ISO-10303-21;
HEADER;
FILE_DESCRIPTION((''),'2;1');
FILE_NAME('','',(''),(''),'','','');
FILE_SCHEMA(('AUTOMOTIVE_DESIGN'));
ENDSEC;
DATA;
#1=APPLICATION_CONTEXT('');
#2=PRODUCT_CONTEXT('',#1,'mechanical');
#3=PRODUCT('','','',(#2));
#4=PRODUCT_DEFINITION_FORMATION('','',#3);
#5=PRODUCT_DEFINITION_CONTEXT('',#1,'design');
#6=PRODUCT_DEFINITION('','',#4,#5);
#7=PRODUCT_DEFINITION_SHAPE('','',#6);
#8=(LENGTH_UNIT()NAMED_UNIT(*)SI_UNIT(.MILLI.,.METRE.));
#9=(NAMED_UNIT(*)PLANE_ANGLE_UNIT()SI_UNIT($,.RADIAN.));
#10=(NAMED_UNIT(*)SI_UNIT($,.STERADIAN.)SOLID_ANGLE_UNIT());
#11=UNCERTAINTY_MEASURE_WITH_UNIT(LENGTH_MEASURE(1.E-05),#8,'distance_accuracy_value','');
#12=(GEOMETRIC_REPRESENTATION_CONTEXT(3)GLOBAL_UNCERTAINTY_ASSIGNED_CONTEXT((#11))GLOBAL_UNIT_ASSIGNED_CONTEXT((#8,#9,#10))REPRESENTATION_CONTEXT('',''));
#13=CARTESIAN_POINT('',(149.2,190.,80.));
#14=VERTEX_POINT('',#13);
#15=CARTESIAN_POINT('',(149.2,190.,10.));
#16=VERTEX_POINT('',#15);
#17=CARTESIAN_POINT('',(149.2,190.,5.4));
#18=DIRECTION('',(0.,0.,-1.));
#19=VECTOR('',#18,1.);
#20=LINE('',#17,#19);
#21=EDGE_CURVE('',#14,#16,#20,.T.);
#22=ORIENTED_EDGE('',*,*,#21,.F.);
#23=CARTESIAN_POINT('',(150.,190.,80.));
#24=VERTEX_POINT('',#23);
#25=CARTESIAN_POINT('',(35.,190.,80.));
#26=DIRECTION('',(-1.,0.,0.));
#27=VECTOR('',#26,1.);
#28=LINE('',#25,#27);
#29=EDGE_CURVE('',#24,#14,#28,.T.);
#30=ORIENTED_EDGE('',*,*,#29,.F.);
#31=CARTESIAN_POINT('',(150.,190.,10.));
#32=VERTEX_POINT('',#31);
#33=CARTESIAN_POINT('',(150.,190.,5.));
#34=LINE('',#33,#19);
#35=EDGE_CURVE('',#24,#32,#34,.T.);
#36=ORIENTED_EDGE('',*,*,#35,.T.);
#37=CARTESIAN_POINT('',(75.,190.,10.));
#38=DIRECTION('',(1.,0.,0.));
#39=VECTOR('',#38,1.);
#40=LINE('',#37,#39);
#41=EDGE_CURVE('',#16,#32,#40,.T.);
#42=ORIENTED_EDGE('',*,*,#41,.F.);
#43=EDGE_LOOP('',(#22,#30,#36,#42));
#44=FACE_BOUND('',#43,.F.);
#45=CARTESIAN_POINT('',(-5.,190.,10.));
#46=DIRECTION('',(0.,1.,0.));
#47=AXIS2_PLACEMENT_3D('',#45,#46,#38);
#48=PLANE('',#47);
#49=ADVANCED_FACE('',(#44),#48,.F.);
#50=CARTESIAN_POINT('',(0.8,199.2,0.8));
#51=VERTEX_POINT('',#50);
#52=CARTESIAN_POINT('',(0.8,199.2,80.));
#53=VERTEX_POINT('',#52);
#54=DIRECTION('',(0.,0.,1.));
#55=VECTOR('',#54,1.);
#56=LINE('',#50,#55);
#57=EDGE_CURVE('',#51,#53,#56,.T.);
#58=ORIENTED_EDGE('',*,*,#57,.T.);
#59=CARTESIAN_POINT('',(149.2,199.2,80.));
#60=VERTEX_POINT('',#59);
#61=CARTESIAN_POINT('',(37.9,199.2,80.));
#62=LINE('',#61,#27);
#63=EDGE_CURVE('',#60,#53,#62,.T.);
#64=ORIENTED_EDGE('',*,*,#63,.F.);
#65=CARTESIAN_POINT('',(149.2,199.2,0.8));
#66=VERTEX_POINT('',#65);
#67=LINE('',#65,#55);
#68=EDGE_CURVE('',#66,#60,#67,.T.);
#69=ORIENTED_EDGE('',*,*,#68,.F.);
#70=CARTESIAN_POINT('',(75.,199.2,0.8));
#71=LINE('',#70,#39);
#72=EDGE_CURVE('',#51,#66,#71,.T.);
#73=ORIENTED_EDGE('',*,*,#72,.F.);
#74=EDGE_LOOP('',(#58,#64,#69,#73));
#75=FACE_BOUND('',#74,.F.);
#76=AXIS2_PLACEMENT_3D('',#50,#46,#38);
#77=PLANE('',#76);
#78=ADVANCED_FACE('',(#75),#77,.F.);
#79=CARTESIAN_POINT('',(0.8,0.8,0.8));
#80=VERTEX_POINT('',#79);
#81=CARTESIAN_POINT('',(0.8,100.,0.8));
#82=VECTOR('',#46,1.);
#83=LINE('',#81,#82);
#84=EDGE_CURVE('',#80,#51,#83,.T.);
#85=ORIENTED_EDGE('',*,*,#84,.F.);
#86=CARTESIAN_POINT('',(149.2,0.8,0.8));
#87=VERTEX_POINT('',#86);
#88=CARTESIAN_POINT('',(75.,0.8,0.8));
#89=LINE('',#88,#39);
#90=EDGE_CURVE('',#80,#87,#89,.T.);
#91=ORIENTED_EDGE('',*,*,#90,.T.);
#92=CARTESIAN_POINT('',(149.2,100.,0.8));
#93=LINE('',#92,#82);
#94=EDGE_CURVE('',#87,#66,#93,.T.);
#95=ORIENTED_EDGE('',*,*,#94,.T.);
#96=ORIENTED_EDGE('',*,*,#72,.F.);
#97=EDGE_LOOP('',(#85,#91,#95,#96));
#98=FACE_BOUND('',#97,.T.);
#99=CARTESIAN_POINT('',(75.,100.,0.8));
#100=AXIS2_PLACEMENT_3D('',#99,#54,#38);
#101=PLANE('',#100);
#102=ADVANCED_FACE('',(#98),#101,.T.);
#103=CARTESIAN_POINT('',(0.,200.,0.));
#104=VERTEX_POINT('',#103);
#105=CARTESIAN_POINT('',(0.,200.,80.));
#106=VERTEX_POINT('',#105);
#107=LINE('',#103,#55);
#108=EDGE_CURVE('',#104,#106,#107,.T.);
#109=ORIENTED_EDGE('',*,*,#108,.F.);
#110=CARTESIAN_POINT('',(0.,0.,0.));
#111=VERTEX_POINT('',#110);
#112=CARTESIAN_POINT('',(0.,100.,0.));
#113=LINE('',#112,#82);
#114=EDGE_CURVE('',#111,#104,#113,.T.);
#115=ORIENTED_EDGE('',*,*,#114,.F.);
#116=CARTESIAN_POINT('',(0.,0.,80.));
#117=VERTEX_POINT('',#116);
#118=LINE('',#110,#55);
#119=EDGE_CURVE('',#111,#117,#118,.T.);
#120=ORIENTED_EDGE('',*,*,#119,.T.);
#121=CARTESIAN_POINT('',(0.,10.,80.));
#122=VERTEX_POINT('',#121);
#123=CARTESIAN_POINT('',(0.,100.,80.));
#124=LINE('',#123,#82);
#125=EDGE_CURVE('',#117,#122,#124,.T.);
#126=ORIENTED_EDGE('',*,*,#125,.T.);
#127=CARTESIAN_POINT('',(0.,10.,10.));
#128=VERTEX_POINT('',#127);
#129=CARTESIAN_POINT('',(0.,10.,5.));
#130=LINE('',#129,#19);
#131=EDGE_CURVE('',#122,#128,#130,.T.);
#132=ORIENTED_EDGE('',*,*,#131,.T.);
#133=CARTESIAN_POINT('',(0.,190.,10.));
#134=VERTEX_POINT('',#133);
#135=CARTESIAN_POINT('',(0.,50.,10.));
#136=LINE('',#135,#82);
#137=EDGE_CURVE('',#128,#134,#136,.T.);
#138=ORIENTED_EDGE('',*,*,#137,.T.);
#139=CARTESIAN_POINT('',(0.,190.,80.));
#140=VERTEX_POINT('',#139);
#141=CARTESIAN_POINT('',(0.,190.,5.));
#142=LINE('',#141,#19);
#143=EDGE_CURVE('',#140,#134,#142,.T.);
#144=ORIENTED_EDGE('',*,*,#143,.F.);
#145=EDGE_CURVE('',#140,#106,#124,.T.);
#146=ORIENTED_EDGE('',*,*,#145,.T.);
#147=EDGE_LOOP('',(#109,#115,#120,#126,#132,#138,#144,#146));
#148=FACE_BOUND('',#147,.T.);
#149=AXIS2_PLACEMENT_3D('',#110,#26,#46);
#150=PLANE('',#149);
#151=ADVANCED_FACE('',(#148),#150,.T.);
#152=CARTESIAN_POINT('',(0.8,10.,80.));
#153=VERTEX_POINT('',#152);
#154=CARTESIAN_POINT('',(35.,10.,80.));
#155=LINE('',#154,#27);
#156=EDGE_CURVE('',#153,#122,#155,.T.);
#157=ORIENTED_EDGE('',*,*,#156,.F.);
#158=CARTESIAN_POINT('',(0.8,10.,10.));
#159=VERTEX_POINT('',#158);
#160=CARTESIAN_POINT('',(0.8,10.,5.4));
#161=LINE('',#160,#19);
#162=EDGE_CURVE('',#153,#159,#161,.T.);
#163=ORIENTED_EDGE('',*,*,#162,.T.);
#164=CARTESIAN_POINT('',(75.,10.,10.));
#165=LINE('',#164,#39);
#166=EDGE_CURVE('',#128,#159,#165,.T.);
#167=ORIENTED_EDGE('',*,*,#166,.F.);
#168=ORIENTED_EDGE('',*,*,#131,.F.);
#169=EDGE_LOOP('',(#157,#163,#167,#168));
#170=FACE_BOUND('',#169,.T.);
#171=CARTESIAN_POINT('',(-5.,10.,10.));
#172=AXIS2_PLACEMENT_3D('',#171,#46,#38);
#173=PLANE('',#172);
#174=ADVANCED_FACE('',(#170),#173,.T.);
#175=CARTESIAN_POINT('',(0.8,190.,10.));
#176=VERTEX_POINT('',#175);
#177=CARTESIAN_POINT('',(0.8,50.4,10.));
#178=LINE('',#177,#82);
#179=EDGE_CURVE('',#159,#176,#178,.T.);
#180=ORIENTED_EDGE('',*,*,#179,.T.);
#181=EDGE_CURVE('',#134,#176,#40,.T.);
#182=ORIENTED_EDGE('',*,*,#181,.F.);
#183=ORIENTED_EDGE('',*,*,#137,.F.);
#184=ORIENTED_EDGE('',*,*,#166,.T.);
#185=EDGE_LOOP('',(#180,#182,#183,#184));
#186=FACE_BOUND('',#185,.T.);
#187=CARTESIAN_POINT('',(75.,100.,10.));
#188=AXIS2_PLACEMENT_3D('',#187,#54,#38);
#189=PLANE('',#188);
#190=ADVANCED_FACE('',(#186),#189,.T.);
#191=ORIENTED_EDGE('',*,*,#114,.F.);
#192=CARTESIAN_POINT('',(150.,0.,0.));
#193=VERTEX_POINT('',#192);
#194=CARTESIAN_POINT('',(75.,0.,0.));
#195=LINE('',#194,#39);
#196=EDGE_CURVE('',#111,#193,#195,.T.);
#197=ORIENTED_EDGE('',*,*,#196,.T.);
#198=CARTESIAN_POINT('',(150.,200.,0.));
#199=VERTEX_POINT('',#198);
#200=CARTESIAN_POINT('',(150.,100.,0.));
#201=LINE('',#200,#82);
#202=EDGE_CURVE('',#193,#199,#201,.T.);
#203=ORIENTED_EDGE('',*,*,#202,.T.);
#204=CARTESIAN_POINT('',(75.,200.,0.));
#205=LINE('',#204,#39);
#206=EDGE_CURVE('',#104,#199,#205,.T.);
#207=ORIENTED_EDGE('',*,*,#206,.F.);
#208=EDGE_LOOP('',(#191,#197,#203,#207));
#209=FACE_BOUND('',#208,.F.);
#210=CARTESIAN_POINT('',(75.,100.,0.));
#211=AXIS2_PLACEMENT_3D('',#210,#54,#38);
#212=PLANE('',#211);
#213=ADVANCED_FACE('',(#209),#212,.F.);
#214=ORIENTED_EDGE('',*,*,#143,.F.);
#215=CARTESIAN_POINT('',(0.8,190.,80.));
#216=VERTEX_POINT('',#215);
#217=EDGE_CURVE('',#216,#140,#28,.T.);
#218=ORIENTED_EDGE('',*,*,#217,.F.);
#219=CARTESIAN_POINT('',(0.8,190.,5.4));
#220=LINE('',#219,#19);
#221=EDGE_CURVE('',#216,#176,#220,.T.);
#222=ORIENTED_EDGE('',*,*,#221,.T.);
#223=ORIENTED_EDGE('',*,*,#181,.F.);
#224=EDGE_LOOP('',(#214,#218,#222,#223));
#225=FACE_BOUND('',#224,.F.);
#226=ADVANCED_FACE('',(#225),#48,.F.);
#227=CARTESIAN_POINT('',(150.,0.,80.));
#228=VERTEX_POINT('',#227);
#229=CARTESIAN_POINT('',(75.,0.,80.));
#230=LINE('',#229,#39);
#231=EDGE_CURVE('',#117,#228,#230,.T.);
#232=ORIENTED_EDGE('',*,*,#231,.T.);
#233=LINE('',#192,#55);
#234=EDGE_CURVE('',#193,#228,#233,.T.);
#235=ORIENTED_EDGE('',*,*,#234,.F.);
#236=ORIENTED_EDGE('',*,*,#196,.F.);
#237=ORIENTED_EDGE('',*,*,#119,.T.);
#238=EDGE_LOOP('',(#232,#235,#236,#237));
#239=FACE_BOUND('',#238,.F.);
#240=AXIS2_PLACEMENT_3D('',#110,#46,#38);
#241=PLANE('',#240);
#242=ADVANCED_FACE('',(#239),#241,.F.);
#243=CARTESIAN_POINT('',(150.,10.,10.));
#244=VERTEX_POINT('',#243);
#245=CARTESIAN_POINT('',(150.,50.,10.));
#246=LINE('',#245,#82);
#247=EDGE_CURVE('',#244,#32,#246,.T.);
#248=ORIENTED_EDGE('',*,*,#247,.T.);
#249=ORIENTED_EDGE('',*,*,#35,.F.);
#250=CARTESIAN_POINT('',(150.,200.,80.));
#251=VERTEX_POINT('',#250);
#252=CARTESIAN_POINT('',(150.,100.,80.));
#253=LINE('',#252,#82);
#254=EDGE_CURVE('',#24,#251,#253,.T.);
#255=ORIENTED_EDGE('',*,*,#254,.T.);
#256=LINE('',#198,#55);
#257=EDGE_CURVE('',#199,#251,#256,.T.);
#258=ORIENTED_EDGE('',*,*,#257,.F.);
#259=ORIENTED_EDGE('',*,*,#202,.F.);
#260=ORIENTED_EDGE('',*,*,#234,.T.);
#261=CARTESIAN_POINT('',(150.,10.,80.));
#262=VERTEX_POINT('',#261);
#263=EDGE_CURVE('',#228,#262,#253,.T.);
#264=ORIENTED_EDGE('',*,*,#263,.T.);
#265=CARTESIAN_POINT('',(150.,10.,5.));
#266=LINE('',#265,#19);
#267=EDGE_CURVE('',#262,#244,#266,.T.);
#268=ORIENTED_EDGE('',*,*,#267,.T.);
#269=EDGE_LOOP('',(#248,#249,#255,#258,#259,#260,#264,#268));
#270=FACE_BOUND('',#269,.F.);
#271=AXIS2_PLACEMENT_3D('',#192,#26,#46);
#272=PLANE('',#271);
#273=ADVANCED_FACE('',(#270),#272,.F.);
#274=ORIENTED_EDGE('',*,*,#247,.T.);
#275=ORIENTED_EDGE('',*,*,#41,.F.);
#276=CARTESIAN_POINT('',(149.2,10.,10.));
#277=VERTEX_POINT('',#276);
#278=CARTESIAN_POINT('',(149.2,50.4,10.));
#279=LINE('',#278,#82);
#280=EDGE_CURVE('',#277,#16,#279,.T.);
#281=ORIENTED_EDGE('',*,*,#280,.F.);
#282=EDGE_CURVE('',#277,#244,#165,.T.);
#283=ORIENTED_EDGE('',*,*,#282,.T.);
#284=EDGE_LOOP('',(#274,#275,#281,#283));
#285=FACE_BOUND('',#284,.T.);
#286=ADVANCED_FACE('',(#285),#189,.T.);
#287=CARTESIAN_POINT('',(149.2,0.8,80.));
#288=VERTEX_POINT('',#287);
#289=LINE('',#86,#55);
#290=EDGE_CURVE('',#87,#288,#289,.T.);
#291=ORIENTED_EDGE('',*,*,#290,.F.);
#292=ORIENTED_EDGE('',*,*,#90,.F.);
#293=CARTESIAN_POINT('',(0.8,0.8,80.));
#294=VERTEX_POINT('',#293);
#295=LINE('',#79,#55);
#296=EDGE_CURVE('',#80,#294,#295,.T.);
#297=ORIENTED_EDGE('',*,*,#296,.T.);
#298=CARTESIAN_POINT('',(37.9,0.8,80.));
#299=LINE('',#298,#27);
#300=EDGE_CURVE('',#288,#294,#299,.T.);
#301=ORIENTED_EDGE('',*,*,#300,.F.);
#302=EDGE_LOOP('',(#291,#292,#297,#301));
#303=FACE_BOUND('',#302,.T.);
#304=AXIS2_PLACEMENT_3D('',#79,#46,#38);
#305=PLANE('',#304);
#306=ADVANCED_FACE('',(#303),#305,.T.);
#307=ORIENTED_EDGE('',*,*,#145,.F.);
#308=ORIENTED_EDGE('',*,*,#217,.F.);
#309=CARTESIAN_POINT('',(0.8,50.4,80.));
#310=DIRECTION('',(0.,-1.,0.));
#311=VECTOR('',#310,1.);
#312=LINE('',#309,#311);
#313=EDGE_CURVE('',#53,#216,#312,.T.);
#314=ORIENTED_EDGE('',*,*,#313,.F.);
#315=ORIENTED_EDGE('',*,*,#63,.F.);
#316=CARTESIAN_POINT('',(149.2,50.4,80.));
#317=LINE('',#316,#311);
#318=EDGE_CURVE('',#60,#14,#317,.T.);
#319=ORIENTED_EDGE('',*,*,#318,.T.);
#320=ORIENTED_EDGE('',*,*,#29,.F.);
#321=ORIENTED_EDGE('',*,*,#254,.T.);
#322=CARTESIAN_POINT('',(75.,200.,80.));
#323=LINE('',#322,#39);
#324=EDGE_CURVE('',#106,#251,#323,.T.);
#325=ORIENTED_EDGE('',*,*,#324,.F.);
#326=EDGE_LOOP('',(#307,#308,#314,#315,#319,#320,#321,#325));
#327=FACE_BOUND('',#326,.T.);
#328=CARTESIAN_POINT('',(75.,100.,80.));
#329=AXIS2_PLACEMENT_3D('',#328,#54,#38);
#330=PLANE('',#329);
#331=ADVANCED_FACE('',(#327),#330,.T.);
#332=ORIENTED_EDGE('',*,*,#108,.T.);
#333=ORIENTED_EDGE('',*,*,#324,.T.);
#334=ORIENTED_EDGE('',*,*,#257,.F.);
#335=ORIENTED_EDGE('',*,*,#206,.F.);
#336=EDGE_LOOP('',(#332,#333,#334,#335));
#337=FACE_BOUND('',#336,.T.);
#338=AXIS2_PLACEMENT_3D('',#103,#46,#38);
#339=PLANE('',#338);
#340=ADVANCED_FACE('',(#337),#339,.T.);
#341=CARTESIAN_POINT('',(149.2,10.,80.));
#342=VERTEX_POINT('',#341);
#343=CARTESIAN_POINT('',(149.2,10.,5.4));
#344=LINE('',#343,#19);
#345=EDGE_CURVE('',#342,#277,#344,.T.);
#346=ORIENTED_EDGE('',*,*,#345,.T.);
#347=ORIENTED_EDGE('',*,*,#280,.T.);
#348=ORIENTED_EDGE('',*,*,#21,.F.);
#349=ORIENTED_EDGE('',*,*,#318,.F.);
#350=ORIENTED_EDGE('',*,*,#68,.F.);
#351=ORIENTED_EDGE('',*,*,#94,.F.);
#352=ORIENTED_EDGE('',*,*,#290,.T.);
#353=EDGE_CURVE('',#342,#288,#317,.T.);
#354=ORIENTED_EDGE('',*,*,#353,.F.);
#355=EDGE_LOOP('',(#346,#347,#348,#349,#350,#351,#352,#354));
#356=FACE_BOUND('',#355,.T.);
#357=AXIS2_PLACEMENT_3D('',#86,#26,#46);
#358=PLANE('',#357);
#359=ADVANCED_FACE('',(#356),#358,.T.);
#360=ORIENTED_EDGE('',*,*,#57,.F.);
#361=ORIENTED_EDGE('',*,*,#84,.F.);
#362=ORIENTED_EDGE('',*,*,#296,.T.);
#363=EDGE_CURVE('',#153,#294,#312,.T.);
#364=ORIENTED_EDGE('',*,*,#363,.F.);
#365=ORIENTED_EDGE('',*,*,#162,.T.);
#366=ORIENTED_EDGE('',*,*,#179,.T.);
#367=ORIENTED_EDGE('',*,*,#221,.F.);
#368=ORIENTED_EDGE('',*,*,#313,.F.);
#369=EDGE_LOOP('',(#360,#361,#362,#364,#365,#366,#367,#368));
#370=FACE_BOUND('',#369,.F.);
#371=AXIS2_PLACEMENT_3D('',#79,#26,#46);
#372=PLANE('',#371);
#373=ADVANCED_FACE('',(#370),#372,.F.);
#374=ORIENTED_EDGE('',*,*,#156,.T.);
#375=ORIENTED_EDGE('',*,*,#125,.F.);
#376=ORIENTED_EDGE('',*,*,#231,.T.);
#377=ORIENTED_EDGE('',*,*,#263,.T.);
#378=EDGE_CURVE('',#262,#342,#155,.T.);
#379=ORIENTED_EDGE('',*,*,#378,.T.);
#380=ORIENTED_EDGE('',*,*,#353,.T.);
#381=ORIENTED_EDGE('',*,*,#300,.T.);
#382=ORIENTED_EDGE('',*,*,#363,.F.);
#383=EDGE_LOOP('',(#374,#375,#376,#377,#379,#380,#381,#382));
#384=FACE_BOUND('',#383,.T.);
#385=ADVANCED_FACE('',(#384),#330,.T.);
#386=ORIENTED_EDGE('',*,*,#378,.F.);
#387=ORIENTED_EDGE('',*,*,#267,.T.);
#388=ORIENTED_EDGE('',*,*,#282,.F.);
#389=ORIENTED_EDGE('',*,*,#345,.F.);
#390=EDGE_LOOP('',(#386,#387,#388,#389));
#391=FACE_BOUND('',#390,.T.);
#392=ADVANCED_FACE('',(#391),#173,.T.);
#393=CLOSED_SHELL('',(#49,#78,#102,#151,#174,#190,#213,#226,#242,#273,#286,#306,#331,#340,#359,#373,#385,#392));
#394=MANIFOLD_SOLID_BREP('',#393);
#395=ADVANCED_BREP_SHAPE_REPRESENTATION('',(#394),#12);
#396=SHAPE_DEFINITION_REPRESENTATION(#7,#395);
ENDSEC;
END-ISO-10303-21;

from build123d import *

# Parameters (mm, degrees)
BOX002_W     = 160
BOX002_H     = 180
BOX002_DEPTH = 80
BOX001_W     = 148.4
BOX001_H     = 198.4
BOX001_DEPTH = 89
BOX_W        = 150
BOX_H        = 200
BOX_DEPTH    = 80


with BuildPart() as cube002:
    # Box002 → Box002 (new body)
    with BuildSketch(Plane(origin=(-5, 10, 10), x_dir=(1, 0, 0), z_dir=(0, 0, 1))):
        with Locations((80, 90)):
            Rectangle(BOX002_W, BOX002_H)
    extrude(amount=BOX002_DEPTH)


with BuildPart() as cube001:
    # Box001 → Box001 (new body)
    with BuildSketch(Plane(origin=(0.8, 0.8, 0.8), x_dir=(1, 0, 0), z_dir=(0, 0, 1))):
        with Locations((74.2, 99.2)):
            Rectangle(BOX001_W, BOX001_H)
    extrude(amount=BOX001_DEPTH)


with BuildPart() as cut001:
    # Box → Box (new body)
    with BuildSketch(Plane.XY):
        with Locations((75, 100)):
            Rectangle(BOX_W, BOX_H)
    extrude(amount=BOX_DEPTH)

    # Cut: cut Cube001
    add(cube001.part, mode=Mode.SUBTRACT)

    # Cut001: cut Cube002
    add(cube002.part, mode=Mode.SUBTRACT)


solid = cut001.part
